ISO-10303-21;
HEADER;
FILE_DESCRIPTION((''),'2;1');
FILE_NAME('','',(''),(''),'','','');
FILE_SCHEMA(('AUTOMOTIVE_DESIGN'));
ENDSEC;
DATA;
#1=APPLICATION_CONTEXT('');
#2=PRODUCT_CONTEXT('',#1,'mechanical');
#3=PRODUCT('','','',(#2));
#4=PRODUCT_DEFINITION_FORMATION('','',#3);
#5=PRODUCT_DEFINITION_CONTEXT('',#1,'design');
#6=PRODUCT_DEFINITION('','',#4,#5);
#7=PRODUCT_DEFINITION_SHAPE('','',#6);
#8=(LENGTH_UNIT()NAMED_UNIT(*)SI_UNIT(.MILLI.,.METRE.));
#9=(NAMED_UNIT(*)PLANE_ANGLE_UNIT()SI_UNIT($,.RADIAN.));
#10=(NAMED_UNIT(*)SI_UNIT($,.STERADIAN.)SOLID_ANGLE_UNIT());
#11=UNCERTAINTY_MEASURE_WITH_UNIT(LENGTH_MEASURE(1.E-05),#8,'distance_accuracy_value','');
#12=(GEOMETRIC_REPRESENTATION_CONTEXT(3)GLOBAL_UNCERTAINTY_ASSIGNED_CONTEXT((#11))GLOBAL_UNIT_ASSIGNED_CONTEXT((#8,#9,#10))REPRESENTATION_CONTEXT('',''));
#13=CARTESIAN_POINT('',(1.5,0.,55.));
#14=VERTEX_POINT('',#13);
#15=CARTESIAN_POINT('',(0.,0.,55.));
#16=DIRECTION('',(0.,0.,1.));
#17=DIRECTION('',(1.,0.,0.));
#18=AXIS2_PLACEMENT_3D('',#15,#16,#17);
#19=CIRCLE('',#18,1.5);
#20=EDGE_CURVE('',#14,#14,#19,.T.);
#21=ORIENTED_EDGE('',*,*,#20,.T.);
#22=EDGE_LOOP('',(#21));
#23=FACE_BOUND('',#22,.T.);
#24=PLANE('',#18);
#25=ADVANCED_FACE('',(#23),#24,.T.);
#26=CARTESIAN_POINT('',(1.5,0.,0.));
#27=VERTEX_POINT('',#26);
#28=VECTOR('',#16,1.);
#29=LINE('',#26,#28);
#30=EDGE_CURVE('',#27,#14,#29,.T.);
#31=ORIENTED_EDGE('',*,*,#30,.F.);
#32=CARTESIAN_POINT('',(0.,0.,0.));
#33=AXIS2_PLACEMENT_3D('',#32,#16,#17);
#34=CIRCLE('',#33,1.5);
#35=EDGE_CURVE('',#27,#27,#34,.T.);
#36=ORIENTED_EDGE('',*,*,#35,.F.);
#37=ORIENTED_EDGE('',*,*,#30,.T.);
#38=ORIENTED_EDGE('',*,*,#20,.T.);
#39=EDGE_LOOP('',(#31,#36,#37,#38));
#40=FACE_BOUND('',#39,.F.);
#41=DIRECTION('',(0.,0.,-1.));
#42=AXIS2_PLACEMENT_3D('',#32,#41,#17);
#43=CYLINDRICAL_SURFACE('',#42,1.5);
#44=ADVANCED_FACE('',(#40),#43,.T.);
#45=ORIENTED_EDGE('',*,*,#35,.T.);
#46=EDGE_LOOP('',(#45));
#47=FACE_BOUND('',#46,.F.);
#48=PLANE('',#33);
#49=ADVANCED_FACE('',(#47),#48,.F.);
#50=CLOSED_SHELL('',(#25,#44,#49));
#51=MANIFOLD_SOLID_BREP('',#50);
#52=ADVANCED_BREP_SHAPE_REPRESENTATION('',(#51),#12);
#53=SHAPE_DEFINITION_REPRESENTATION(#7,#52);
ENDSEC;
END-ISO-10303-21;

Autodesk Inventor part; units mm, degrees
ref_plane "YZ Plane" through (0, 0, 0) normal (1, 0, 0) x (0, 1, 0)
ref_plane "XZ Plane" through (0, 0, 0) normal (0, 1, 0) x (-1, 0, 0)
ref_plane "XY Plane" through (0, 0, 0) normal (0, 0, 1) x (1, 0, 0)
sketch "Boceto1" plane through (0, 0, 0) normal (0, 0, 1) x (1, 0, 0)
  circle A0 centre (0, 0) radius 1.5
  dimension "d0" = 3
extrude "Extrusión1" add sketch "Boceto1" along normal blind 55
sketch "Boceto2" plane through (0, 0, 55) normal (0, 0, 1) x (1, 0, 0)
  circle A0 centre (0, 0) radius 1.5 projected
  circle A1 centre (0, 0) radius 1.5
sketch "Boceto3" plane through (0, 0, 0) normal (0, 0, -1) x (-1, 0, 0)
  circle A0 centre (0, 0) radius 1.5
sketch "Boceto4" plane through (0, 0, 0) normal (0, 0, -1) x (-1, 0, 0)
  point P0 (0, 0)
properties part number "eje rodillo"
